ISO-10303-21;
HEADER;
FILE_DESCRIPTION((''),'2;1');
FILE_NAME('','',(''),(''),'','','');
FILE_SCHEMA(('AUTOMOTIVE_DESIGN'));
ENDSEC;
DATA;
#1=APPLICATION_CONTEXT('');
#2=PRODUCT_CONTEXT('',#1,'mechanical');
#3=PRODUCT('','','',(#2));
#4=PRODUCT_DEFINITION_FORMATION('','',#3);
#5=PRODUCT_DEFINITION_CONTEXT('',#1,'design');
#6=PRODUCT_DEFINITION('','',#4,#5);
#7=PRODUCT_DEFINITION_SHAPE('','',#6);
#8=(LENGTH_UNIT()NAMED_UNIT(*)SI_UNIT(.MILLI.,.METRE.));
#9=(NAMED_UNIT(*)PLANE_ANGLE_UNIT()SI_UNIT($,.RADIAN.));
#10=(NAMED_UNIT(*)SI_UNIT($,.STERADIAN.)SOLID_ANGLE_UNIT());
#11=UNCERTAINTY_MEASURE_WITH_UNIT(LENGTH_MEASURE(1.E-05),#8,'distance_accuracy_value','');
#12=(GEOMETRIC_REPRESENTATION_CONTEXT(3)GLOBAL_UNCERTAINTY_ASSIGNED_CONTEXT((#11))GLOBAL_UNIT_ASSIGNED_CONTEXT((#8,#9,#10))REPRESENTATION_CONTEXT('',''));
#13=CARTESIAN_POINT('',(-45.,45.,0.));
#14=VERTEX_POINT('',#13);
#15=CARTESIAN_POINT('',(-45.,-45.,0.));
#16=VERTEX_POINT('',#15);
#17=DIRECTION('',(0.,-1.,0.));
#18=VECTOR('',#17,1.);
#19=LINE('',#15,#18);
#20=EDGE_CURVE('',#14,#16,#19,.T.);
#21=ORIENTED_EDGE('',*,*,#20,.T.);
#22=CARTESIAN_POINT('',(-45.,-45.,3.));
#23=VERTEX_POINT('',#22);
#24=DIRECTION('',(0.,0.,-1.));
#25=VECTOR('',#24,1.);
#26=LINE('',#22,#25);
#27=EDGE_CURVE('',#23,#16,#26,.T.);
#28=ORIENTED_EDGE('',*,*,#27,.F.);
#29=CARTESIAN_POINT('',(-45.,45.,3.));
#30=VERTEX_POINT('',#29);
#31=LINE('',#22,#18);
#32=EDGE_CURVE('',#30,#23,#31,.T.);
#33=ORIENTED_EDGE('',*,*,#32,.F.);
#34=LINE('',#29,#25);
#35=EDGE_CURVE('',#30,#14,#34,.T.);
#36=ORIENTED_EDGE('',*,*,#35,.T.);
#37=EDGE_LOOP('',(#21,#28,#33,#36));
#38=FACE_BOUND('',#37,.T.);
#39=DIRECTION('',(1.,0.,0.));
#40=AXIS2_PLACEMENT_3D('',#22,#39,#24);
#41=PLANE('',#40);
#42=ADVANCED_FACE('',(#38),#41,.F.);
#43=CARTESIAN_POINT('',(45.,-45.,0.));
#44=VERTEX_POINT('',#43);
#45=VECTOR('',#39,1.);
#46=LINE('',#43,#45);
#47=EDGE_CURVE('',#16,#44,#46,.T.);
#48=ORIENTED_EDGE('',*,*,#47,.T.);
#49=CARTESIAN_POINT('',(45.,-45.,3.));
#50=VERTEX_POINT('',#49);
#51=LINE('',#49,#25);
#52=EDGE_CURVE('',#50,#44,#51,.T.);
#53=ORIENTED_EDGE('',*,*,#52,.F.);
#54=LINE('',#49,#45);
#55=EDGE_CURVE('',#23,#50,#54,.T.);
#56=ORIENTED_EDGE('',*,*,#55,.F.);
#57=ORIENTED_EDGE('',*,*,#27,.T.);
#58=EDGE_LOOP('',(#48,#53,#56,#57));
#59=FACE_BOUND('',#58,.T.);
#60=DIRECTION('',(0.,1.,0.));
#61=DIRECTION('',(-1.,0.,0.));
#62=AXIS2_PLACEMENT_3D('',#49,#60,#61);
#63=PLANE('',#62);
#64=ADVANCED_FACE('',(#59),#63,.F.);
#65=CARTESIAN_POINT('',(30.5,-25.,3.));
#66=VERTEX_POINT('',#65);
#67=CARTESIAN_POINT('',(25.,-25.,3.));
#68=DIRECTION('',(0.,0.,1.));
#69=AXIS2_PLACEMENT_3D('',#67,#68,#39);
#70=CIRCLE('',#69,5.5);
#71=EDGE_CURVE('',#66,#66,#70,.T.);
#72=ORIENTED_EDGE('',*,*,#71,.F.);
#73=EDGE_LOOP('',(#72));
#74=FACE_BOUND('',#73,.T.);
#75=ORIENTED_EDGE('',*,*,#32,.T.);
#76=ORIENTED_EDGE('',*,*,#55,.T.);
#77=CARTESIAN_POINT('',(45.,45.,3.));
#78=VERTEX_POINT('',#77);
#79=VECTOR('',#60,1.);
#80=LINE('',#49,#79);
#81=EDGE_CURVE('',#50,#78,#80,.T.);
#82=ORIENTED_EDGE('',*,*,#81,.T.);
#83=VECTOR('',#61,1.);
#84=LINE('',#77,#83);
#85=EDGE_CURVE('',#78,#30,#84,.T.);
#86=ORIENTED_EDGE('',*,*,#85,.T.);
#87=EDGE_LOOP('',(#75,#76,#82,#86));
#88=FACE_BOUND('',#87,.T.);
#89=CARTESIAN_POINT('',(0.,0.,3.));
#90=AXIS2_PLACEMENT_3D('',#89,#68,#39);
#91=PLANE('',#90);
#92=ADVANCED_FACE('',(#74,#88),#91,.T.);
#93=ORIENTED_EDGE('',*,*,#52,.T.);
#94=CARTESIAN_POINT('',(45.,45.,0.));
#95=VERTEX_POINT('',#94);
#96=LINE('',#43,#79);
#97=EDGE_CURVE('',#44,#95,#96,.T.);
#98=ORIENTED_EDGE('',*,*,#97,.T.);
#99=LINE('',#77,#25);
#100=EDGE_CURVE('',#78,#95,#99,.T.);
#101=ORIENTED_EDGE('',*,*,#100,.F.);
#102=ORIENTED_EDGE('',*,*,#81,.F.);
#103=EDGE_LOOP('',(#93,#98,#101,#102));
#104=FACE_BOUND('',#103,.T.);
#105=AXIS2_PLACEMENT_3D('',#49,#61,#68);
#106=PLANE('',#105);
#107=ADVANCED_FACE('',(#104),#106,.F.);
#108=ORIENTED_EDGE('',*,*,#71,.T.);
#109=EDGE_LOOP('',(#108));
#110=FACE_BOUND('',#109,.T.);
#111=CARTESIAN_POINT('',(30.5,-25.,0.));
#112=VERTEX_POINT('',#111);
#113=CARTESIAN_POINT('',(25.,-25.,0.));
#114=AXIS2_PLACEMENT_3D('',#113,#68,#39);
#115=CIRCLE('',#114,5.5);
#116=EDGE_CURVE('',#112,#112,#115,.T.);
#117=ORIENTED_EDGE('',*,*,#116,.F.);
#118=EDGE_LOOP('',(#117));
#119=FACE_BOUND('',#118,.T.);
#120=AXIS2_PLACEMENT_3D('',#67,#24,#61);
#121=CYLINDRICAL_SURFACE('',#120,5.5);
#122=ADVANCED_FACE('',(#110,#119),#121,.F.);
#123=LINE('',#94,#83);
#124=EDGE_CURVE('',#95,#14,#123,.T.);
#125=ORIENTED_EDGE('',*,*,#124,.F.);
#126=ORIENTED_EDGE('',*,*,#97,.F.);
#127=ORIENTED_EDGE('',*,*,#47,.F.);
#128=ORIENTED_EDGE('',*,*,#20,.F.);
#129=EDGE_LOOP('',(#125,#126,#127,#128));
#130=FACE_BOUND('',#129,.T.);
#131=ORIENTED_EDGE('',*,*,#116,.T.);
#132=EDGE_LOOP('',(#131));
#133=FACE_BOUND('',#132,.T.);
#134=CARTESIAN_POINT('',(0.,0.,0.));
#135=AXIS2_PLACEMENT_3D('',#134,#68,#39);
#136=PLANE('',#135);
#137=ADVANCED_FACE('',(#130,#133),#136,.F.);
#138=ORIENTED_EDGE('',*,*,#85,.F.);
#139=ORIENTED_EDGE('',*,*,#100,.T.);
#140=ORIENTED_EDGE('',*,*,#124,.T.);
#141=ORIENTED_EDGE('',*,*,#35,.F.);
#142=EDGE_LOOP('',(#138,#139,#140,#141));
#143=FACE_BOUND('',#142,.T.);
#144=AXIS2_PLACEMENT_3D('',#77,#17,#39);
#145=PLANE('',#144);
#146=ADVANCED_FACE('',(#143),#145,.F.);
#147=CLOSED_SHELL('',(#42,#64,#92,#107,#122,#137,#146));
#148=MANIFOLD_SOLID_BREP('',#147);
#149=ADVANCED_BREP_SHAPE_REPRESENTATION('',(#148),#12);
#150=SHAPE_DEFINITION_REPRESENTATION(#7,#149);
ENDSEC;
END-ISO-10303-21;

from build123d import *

# Parameters (mm, degrees)
SKETCH1_W           = 90
SKETCH1_H           = 90
SKETCH1_R           = 5.5
BOSS_EXTRUDE1_DEPTH = 3


with BuildPart() as part:
    # Sketch1 → Boss-Extrude1 (new body)
    with BuildSketch(Plane.XY):
        Rectangle(SKETCH1_W, SKETCH1_H)
        with Locations((25, -25)):
            Circle(SKETCH1_R, mode=Mode.SUBTRACT)
    extrude(amount=BOSS_EXTRUDE1_DEPTH)


solid = part.part
